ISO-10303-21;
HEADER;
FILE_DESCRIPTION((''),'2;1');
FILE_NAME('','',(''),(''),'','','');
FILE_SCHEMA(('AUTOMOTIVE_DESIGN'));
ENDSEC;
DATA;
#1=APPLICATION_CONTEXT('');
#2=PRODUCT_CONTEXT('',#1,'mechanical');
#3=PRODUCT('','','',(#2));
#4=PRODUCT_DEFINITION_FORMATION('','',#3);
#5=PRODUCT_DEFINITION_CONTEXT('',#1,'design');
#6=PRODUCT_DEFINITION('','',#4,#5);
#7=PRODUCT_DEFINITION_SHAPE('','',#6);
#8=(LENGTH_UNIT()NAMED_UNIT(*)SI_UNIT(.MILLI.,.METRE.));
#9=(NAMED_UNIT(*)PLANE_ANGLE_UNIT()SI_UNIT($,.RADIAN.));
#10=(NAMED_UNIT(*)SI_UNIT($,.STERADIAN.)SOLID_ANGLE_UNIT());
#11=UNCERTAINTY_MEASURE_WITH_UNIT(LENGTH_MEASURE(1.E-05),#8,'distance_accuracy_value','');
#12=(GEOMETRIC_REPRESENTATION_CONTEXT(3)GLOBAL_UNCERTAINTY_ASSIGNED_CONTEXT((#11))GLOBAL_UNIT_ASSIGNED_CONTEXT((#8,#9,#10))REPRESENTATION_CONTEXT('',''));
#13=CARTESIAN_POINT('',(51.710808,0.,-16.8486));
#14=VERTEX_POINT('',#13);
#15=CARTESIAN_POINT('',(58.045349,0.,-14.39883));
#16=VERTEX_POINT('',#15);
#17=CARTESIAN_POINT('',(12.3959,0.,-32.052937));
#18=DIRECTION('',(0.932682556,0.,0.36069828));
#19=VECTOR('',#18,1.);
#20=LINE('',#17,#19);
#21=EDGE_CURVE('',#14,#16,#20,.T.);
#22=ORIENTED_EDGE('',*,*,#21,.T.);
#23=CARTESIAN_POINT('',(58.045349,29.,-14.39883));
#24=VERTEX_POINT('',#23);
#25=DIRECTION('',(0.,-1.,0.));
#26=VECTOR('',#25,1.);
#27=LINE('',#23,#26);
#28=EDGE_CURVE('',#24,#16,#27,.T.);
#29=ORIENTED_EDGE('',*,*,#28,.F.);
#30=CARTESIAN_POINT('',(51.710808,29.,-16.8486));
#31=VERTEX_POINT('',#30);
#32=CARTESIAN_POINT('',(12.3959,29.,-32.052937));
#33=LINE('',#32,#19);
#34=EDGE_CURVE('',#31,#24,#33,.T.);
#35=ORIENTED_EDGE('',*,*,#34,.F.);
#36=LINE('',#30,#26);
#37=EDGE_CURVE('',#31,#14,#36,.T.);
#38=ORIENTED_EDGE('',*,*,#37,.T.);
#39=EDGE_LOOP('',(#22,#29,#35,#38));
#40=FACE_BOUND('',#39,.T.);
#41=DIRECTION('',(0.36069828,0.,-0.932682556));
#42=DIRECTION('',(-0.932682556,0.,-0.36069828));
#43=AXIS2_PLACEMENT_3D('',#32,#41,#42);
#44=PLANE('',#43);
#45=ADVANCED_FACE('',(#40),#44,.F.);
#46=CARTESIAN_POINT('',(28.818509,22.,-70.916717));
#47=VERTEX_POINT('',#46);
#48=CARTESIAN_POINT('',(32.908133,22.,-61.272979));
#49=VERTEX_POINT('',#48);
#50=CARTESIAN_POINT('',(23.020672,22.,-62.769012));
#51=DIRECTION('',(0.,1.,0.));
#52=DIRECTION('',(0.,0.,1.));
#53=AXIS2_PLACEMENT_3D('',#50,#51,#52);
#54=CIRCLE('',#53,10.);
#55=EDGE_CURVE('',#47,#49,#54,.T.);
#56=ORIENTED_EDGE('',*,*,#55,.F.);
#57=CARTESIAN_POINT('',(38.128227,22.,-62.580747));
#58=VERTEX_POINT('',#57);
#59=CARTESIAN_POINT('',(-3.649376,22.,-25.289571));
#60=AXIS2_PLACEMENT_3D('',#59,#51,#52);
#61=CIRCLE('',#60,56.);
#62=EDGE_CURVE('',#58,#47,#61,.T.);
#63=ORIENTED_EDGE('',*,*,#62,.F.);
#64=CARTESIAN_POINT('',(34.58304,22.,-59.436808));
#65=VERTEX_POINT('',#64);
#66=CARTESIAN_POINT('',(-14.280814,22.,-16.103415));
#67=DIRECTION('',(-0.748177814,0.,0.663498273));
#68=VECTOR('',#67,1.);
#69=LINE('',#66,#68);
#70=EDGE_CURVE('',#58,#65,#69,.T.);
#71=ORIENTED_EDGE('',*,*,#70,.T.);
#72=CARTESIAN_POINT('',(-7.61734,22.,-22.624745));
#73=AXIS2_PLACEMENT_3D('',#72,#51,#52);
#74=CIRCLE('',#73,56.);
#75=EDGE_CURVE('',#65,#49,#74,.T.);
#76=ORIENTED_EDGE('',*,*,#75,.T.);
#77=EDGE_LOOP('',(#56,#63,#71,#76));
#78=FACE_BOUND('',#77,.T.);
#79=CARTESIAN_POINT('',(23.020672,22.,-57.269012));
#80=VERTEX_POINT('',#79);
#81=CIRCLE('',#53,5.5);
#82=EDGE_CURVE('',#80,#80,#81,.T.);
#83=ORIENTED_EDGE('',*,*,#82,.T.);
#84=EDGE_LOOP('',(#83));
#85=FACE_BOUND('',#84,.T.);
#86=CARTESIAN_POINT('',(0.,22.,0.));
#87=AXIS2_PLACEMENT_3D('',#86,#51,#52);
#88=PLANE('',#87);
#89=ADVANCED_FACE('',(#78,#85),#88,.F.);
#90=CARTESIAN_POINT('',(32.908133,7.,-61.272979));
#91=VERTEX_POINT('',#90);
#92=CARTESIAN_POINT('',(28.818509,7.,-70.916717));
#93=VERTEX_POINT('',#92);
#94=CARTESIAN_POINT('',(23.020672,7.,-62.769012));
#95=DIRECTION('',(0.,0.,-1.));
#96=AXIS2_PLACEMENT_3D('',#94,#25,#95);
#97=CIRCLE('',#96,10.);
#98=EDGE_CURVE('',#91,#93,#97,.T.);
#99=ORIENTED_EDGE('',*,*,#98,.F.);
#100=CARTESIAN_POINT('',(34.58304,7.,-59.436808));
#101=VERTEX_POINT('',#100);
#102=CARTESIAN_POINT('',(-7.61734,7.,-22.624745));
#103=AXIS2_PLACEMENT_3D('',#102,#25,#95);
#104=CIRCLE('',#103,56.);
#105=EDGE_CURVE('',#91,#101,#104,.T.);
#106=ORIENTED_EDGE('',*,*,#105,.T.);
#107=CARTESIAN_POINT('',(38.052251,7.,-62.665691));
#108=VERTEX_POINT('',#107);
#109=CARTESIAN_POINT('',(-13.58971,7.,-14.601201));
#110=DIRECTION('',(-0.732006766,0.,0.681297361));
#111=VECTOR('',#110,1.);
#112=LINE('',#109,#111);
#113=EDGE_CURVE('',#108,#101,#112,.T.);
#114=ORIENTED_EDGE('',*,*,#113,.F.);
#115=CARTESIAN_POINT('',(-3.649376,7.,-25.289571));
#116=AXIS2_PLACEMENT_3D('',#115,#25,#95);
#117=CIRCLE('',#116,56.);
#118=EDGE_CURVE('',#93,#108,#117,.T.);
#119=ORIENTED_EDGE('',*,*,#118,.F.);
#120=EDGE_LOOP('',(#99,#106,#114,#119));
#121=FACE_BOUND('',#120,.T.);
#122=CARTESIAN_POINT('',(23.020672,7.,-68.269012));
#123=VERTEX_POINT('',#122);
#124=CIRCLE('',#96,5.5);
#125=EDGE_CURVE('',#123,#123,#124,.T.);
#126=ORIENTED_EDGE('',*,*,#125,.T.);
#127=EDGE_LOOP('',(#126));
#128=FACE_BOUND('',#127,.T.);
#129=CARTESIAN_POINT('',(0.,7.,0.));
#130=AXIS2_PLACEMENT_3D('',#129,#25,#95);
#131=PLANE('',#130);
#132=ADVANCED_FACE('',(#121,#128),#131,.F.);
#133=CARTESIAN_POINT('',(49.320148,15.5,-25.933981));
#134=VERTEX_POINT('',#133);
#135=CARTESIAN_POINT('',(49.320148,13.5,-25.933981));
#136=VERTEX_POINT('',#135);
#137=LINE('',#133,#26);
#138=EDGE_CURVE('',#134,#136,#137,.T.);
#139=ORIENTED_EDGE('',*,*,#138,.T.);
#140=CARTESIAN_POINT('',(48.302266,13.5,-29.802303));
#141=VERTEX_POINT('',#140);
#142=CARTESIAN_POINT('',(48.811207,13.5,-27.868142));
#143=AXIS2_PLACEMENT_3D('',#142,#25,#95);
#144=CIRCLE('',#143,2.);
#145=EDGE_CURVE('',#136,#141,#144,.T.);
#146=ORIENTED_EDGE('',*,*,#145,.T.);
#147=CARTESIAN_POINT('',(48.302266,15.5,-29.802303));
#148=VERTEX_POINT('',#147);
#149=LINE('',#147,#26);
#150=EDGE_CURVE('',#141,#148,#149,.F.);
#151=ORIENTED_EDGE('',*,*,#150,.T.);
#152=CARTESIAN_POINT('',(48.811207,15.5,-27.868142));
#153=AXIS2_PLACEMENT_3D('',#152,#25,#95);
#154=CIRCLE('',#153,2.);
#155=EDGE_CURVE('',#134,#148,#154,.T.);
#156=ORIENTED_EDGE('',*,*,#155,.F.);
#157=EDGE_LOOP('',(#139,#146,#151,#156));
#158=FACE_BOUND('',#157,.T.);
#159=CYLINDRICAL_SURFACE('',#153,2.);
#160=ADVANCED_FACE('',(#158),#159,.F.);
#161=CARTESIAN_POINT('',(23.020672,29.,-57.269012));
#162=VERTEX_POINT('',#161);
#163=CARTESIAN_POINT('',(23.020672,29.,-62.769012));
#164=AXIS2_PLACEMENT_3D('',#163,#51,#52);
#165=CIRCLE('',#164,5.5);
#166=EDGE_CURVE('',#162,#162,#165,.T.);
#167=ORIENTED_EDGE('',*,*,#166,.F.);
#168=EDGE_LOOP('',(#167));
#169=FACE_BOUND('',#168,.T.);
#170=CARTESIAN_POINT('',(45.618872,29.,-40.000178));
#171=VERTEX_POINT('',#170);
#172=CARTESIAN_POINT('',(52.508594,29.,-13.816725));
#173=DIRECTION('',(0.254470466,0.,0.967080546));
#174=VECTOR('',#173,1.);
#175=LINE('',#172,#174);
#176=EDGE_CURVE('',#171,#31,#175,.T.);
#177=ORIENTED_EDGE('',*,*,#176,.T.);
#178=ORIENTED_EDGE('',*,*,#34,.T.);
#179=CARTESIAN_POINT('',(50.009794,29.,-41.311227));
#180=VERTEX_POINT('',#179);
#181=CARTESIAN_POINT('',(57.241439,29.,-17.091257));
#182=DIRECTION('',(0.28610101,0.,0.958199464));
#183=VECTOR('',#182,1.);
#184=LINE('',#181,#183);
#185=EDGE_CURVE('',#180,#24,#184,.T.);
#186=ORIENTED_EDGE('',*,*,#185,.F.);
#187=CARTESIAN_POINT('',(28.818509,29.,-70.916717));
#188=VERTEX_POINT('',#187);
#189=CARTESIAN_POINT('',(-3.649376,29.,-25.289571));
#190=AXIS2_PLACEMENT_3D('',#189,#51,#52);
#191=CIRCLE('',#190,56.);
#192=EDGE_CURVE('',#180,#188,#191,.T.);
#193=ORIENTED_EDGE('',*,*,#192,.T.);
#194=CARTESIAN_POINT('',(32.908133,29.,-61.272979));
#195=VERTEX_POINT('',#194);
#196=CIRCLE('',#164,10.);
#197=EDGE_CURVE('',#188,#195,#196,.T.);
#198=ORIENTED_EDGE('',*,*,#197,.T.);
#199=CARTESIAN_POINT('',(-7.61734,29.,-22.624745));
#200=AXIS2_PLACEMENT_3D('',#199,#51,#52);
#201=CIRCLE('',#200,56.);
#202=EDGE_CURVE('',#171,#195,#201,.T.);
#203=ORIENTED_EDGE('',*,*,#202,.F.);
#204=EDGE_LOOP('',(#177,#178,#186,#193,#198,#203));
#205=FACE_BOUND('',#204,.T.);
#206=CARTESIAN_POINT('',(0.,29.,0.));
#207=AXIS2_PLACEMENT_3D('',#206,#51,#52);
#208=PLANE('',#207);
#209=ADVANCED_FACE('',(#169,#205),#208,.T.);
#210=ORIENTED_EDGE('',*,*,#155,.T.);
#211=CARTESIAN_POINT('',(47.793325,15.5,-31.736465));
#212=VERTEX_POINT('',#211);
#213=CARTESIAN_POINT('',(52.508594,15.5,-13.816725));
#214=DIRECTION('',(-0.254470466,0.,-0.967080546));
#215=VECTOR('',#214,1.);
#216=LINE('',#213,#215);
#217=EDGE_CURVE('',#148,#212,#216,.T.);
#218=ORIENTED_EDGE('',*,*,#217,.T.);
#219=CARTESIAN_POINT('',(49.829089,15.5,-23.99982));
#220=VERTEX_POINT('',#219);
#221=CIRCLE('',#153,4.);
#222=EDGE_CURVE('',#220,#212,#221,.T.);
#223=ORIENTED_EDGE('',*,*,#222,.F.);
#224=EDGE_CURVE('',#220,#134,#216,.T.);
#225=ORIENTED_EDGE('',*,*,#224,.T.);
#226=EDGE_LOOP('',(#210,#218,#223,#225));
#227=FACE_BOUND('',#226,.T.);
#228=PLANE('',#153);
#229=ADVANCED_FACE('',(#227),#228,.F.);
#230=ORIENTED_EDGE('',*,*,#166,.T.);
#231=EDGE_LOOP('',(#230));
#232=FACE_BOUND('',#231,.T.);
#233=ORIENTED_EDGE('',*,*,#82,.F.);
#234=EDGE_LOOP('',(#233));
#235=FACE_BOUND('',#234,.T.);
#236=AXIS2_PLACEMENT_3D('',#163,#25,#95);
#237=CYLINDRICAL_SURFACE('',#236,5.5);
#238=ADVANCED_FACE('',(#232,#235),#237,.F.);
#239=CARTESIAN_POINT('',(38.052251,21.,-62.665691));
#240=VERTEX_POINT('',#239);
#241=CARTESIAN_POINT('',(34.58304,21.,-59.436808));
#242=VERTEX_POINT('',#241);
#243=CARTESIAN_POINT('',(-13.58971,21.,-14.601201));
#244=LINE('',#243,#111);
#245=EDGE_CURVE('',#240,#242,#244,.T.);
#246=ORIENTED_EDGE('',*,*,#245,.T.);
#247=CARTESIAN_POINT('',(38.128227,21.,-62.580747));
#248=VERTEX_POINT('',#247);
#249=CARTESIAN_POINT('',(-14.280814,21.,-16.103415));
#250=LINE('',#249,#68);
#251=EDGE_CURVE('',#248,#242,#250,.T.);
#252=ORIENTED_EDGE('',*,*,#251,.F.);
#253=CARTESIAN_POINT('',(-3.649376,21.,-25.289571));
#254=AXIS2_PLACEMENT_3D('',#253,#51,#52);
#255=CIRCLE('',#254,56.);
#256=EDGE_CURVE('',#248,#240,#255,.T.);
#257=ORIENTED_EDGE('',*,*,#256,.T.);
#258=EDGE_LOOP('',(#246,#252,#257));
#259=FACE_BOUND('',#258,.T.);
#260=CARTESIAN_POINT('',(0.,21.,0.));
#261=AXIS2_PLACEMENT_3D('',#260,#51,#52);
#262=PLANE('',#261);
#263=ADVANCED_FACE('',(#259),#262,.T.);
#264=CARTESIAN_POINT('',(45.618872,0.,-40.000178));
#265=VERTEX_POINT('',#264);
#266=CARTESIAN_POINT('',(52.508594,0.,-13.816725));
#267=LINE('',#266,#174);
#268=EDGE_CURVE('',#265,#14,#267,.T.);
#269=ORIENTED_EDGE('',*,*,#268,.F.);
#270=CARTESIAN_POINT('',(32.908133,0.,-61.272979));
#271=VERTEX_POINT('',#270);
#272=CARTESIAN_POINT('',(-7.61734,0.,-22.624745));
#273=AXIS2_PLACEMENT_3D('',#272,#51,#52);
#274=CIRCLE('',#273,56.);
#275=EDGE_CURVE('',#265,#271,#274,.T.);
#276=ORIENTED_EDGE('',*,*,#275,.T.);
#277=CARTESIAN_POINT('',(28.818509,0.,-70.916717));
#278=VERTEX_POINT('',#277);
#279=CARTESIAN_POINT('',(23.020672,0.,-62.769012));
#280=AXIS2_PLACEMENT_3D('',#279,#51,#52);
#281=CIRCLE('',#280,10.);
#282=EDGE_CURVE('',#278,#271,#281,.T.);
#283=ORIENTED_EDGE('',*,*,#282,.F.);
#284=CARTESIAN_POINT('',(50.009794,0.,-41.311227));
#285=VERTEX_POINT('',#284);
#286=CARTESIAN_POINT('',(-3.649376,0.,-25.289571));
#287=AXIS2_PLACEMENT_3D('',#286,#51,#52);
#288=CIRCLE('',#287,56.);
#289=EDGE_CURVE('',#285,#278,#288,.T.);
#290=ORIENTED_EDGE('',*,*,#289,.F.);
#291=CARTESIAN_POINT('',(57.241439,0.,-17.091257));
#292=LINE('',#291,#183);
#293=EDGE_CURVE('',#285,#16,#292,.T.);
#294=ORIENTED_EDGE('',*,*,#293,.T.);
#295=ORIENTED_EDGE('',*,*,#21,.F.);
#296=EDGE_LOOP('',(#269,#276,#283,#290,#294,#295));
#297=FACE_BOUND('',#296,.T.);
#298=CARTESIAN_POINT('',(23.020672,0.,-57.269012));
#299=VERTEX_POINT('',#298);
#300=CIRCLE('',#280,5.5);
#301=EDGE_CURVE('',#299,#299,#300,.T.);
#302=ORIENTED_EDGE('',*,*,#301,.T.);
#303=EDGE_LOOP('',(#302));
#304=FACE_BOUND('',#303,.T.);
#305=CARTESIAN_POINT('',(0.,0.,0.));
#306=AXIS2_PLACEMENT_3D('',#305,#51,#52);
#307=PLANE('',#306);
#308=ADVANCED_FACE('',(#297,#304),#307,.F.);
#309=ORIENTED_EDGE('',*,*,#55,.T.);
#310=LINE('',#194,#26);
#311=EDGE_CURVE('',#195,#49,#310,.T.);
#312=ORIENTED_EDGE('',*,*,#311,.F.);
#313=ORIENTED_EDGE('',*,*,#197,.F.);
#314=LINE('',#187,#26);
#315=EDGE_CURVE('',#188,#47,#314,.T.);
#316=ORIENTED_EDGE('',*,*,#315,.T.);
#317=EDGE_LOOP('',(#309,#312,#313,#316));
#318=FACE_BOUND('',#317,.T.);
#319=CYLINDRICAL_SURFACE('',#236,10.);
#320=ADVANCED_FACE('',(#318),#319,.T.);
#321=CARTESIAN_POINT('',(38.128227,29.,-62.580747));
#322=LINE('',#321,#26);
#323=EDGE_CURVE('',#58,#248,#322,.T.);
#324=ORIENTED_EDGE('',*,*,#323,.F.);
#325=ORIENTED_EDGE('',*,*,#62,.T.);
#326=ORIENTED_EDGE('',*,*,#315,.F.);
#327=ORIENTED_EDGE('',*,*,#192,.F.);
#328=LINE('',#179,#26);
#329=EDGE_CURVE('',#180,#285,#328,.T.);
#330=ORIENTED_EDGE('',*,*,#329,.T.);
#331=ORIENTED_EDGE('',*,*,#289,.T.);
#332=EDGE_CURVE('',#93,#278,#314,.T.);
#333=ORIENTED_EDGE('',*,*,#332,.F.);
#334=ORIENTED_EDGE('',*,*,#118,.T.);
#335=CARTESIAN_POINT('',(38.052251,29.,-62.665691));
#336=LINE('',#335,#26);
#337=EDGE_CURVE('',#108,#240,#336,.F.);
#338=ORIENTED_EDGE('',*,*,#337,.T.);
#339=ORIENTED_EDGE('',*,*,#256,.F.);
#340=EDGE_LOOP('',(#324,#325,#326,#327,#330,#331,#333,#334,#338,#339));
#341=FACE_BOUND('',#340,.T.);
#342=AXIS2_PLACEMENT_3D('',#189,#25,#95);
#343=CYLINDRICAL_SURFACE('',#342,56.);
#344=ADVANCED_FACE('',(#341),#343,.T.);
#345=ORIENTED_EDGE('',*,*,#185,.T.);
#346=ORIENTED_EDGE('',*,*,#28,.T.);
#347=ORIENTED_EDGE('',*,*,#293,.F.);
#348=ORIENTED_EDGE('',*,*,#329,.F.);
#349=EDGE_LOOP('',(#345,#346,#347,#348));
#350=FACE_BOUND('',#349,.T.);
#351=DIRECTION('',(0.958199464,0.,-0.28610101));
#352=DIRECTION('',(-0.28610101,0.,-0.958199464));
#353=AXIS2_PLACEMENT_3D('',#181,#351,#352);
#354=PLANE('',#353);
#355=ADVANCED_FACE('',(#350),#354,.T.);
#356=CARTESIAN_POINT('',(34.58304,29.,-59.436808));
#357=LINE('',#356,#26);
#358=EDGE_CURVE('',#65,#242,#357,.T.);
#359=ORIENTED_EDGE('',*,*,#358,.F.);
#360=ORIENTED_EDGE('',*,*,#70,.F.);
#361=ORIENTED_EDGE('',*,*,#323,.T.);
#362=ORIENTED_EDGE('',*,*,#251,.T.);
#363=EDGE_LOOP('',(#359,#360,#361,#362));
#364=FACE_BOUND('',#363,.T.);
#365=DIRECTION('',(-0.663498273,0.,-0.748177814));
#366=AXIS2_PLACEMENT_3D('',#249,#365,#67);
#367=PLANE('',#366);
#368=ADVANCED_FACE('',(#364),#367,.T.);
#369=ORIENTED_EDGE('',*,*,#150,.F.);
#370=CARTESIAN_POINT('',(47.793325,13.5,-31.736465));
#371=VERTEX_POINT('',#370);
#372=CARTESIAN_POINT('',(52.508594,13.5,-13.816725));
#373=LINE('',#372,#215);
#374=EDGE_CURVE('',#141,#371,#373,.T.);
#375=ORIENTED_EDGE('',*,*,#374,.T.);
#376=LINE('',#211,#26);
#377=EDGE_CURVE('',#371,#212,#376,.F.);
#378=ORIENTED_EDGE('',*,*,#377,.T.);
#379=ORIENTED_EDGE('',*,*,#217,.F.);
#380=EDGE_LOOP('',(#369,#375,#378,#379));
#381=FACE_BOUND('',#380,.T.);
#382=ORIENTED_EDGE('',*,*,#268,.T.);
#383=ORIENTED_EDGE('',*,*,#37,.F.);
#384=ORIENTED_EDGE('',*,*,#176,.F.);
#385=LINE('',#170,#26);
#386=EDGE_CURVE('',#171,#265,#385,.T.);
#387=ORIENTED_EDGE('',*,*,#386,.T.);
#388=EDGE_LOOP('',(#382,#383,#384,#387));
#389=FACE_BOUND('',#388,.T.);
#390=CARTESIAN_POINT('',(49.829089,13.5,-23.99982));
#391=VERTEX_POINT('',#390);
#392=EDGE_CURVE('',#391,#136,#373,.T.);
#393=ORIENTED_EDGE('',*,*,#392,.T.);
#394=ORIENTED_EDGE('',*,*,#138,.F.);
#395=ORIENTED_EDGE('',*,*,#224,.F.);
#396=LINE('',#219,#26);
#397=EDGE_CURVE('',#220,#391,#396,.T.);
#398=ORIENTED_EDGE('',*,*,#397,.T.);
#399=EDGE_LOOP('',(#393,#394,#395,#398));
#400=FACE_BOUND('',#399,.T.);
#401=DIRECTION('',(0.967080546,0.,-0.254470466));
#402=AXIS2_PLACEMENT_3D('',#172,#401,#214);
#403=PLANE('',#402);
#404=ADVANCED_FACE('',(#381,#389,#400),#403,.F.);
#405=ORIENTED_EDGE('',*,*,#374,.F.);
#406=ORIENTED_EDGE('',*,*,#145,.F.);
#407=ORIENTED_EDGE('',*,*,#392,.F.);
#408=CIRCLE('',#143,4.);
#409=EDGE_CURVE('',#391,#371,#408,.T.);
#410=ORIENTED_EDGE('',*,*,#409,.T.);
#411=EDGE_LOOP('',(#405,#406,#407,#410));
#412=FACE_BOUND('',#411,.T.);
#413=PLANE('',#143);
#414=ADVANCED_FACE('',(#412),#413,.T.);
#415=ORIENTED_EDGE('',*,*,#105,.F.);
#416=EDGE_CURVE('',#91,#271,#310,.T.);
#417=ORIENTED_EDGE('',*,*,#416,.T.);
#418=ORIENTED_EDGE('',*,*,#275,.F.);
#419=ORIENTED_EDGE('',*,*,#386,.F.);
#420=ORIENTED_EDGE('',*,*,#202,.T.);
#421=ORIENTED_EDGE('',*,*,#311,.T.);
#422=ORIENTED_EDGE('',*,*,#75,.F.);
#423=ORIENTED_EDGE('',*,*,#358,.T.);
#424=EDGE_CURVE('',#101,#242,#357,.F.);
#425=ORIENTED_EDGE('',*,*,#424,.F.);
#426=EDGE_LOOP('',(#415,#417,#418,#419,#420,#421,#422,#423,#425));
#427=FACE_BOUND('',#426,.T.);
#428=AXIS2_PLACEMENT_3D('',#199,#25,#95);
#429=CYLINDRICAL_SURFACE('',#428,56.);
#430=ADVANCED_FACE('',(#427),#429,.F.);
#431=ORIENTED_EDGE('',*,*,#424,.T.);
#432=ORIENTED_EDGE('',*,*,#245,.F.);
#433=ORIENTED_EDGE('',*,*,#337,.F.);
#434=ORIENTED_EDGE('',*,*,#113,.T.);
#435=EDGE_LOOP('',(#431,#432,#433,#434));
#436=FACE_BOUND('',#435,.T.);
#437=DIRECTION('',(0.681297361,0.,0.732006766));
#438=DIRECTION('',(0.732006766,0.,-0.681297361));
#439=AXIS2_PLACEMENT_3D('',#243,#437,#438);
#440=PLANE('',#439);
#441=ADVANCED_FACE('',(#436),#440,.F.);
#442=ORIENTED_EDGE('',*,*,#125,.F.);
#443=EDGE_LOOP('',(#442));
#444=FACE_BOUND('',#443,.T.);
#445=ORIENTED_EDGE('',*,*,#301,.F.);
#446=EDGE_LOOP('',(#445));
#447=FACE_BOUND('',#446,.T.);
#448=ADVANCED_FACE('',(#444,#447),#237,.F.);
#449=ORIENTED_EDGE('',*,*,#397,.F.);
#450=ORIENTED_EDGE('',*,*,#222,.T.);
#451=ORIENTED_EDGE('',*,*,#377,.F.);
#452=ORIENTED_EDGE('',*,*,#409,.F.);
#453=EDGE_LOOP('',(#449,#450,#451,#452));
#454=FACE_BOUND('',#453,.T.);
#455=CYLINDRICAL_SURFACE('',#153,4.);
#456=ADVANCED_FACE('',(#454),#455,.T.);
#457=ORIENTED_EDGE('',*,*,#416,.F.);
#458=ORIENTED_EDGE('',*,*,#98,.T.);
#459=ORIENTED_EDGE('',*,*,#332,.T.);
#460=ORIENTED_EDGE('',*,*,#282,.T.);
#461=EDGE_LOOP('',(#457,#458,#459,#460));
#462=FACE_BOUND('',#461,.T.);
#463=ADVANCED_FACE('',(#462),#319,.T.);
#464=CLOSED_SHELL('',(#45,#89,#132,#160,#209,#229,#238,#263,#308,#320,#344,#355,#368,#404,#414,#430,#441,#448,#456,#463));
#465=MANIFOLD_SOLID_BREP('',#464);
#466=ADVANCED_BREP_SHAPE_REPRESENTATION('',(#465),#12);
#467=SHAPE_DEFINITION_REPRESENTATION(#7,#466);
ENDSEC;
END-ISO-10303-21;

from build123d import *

# Parameters (mm, degrees)
SKETCH2_R                = 5.5
BOSS_EXTRUDE1_DEPTH      = 29
SKETCH3_R                = 12
CUT_EXTRUDE2_DEPTH       = 14
SKETCH5_R                = 4
SKETCH5_R_2              = 2
BOSS_EXTRUDE2_DEPTH      = 1
BOSS_EXTRUDE2_DEPTH_BACK = 1
SKETCH6_R                = 12
CUT_EXTRUDE3_DEPTH       = 1


with BuildPart() as part:
    # Sketch2 → Boss-Extrude1 (new body)
    with BuildSketch(Plane(origin=(0, 0, 0), x_dir=(1, 0, 0), z_dir=(0, 1, 0))):
        with BuildLine():
            ThreePointArc((50.009794046, 41.311227393), (41.887297641, 57.884223181), (28.818508763, 70.916716976))
            ThreePointArc((28.818508763, 70.916716976), (13.814285335, 58.864855467), (32.908133208, 61.2729792))
            ThreePointArc((32.908133208, 61.2729792), (40.45496434, 51.34849017), (45.618872448, 40.00017771))
            Line((45.618872448, 40.00017771), (51.710808427, 16.848599978))
            Line((51.710808427, 16.848599978), (58.045348615, 14.398829975))
            Line((58.045348615, 14.398829975), (50.009794046, 41.311227393))
        make_face()
        with Locations((23.020672213, 62.769012309)):
            Circle(SKETCH2_R, mode=Mode.SUBTRACT)
    extrude(amount=BOSS_EXTRUDE1_DEPTH)

    # Sketch3 → Cut-Extrude2 (cut)
    with BuildSketch(Plane(origin=(0, 7, 0), x_dir=(-1, 0, 0), z_dir=(0, -1, 0))):
        Polygon((-39.772770103, 64.267022184), (-15.893793884, 42.042250192), (-0.061179653, 60.713204229), (-23.940155872, 82.937976221), align=None)
        with Locations((-23.020672213, 62.769012309)):
            Circle(SKETCH3_R, mode=Mode.SUBTRACT)
        with BuildLine():
            ThreePointArc((-11.020672213, 62.769012309), (-24.725973403, 74.647225468), (-34.535996855, 59.393023803))
            Line((-34.535996855, 59.393023803), (-25.562701432, 51.041348968))
            ThreePointArc((-25.562701432, 51.041348968), (-15.487557008, 53.428125022), (-11.020672213, 62.769012309))
        make_face()
        with BuildLine():
            Line((-25.562701432, 51.041348968), (-34.535996855, 59.393023803))
            ThreePointArc((-34.535996855, 59.393023803), (-31.196240544, 53.984931113), (-25.562701432, 51.041348968))
        make_face()
    extrude(amount=-CUT_EXTRUDE2_DEPTH, mode=Mode.SUBTRACT)

    # Sketch5 → Boss-Extrude2 (add, two sides)
    with BuildSketch(Plane(origin=(0, 14.5, 0), x_dir=(-1, 0, 0), z_dir=(0, -1, 0))) as boss_extrude2_sk:
        with Locations((-48.811207054, 27.868142339)):
            Circle(SKETCH5_R)
        with Locations((-48.811207054, 27.868142339)):
            Circle(SKETCH5_R_2, mode=Mode.SUBTRACT)
    extrude(amount=BOSS_EXTRUDE2_DEPTH)
    extrude(boss_extrude2_sk.sketch, amount=-BOSS_EXTRUDE2_DEPTH_BACK)

    # Sketch6 → Cut-Extrude3 (cut)
    with BuildSketch(Plane(origin=(0, 22, 0), x_dir=(1, 0, 0), z_dir=(0, 1, 0))):
        Polygon((39.538971905, 63.831822433), (17.017916797, 43.859723681), (2.667298857, 64.33781743), (24.409587021, 83.619290887), align=None)
        with Locations((23.020672213, 62.769012309)):
            Circle(SKETCH6_R, mode=Mode.SUBTRACT)
        with BuildLine():
            ThreePointArc((24.993041452, 50.932215463), (30.982651495, 53.790878543), (34.536814652, 59.395814522))
            Line((34.536814652, 59.395814522), (24.993041452, 50.932215463))
        make_face()
        with BuildLine():
            Line((24.993041452, 50.932215463), (34.536814652, 59.395814522))
            ThreePointArc((34.536814652, 59.395814522), (34.899091916, 61.065150413), (35.020672213, 62.769012309))
            ThreePointArc((35.020672213, 62.769012309), (13.86456958, 70.525672967), (24.993041452, 50.932215463))
        make_face()
    extrude(amount=-CUT_EXTRUDE3_DEPTH, mode=Mode.SUBTRACT)


solid = part.part
